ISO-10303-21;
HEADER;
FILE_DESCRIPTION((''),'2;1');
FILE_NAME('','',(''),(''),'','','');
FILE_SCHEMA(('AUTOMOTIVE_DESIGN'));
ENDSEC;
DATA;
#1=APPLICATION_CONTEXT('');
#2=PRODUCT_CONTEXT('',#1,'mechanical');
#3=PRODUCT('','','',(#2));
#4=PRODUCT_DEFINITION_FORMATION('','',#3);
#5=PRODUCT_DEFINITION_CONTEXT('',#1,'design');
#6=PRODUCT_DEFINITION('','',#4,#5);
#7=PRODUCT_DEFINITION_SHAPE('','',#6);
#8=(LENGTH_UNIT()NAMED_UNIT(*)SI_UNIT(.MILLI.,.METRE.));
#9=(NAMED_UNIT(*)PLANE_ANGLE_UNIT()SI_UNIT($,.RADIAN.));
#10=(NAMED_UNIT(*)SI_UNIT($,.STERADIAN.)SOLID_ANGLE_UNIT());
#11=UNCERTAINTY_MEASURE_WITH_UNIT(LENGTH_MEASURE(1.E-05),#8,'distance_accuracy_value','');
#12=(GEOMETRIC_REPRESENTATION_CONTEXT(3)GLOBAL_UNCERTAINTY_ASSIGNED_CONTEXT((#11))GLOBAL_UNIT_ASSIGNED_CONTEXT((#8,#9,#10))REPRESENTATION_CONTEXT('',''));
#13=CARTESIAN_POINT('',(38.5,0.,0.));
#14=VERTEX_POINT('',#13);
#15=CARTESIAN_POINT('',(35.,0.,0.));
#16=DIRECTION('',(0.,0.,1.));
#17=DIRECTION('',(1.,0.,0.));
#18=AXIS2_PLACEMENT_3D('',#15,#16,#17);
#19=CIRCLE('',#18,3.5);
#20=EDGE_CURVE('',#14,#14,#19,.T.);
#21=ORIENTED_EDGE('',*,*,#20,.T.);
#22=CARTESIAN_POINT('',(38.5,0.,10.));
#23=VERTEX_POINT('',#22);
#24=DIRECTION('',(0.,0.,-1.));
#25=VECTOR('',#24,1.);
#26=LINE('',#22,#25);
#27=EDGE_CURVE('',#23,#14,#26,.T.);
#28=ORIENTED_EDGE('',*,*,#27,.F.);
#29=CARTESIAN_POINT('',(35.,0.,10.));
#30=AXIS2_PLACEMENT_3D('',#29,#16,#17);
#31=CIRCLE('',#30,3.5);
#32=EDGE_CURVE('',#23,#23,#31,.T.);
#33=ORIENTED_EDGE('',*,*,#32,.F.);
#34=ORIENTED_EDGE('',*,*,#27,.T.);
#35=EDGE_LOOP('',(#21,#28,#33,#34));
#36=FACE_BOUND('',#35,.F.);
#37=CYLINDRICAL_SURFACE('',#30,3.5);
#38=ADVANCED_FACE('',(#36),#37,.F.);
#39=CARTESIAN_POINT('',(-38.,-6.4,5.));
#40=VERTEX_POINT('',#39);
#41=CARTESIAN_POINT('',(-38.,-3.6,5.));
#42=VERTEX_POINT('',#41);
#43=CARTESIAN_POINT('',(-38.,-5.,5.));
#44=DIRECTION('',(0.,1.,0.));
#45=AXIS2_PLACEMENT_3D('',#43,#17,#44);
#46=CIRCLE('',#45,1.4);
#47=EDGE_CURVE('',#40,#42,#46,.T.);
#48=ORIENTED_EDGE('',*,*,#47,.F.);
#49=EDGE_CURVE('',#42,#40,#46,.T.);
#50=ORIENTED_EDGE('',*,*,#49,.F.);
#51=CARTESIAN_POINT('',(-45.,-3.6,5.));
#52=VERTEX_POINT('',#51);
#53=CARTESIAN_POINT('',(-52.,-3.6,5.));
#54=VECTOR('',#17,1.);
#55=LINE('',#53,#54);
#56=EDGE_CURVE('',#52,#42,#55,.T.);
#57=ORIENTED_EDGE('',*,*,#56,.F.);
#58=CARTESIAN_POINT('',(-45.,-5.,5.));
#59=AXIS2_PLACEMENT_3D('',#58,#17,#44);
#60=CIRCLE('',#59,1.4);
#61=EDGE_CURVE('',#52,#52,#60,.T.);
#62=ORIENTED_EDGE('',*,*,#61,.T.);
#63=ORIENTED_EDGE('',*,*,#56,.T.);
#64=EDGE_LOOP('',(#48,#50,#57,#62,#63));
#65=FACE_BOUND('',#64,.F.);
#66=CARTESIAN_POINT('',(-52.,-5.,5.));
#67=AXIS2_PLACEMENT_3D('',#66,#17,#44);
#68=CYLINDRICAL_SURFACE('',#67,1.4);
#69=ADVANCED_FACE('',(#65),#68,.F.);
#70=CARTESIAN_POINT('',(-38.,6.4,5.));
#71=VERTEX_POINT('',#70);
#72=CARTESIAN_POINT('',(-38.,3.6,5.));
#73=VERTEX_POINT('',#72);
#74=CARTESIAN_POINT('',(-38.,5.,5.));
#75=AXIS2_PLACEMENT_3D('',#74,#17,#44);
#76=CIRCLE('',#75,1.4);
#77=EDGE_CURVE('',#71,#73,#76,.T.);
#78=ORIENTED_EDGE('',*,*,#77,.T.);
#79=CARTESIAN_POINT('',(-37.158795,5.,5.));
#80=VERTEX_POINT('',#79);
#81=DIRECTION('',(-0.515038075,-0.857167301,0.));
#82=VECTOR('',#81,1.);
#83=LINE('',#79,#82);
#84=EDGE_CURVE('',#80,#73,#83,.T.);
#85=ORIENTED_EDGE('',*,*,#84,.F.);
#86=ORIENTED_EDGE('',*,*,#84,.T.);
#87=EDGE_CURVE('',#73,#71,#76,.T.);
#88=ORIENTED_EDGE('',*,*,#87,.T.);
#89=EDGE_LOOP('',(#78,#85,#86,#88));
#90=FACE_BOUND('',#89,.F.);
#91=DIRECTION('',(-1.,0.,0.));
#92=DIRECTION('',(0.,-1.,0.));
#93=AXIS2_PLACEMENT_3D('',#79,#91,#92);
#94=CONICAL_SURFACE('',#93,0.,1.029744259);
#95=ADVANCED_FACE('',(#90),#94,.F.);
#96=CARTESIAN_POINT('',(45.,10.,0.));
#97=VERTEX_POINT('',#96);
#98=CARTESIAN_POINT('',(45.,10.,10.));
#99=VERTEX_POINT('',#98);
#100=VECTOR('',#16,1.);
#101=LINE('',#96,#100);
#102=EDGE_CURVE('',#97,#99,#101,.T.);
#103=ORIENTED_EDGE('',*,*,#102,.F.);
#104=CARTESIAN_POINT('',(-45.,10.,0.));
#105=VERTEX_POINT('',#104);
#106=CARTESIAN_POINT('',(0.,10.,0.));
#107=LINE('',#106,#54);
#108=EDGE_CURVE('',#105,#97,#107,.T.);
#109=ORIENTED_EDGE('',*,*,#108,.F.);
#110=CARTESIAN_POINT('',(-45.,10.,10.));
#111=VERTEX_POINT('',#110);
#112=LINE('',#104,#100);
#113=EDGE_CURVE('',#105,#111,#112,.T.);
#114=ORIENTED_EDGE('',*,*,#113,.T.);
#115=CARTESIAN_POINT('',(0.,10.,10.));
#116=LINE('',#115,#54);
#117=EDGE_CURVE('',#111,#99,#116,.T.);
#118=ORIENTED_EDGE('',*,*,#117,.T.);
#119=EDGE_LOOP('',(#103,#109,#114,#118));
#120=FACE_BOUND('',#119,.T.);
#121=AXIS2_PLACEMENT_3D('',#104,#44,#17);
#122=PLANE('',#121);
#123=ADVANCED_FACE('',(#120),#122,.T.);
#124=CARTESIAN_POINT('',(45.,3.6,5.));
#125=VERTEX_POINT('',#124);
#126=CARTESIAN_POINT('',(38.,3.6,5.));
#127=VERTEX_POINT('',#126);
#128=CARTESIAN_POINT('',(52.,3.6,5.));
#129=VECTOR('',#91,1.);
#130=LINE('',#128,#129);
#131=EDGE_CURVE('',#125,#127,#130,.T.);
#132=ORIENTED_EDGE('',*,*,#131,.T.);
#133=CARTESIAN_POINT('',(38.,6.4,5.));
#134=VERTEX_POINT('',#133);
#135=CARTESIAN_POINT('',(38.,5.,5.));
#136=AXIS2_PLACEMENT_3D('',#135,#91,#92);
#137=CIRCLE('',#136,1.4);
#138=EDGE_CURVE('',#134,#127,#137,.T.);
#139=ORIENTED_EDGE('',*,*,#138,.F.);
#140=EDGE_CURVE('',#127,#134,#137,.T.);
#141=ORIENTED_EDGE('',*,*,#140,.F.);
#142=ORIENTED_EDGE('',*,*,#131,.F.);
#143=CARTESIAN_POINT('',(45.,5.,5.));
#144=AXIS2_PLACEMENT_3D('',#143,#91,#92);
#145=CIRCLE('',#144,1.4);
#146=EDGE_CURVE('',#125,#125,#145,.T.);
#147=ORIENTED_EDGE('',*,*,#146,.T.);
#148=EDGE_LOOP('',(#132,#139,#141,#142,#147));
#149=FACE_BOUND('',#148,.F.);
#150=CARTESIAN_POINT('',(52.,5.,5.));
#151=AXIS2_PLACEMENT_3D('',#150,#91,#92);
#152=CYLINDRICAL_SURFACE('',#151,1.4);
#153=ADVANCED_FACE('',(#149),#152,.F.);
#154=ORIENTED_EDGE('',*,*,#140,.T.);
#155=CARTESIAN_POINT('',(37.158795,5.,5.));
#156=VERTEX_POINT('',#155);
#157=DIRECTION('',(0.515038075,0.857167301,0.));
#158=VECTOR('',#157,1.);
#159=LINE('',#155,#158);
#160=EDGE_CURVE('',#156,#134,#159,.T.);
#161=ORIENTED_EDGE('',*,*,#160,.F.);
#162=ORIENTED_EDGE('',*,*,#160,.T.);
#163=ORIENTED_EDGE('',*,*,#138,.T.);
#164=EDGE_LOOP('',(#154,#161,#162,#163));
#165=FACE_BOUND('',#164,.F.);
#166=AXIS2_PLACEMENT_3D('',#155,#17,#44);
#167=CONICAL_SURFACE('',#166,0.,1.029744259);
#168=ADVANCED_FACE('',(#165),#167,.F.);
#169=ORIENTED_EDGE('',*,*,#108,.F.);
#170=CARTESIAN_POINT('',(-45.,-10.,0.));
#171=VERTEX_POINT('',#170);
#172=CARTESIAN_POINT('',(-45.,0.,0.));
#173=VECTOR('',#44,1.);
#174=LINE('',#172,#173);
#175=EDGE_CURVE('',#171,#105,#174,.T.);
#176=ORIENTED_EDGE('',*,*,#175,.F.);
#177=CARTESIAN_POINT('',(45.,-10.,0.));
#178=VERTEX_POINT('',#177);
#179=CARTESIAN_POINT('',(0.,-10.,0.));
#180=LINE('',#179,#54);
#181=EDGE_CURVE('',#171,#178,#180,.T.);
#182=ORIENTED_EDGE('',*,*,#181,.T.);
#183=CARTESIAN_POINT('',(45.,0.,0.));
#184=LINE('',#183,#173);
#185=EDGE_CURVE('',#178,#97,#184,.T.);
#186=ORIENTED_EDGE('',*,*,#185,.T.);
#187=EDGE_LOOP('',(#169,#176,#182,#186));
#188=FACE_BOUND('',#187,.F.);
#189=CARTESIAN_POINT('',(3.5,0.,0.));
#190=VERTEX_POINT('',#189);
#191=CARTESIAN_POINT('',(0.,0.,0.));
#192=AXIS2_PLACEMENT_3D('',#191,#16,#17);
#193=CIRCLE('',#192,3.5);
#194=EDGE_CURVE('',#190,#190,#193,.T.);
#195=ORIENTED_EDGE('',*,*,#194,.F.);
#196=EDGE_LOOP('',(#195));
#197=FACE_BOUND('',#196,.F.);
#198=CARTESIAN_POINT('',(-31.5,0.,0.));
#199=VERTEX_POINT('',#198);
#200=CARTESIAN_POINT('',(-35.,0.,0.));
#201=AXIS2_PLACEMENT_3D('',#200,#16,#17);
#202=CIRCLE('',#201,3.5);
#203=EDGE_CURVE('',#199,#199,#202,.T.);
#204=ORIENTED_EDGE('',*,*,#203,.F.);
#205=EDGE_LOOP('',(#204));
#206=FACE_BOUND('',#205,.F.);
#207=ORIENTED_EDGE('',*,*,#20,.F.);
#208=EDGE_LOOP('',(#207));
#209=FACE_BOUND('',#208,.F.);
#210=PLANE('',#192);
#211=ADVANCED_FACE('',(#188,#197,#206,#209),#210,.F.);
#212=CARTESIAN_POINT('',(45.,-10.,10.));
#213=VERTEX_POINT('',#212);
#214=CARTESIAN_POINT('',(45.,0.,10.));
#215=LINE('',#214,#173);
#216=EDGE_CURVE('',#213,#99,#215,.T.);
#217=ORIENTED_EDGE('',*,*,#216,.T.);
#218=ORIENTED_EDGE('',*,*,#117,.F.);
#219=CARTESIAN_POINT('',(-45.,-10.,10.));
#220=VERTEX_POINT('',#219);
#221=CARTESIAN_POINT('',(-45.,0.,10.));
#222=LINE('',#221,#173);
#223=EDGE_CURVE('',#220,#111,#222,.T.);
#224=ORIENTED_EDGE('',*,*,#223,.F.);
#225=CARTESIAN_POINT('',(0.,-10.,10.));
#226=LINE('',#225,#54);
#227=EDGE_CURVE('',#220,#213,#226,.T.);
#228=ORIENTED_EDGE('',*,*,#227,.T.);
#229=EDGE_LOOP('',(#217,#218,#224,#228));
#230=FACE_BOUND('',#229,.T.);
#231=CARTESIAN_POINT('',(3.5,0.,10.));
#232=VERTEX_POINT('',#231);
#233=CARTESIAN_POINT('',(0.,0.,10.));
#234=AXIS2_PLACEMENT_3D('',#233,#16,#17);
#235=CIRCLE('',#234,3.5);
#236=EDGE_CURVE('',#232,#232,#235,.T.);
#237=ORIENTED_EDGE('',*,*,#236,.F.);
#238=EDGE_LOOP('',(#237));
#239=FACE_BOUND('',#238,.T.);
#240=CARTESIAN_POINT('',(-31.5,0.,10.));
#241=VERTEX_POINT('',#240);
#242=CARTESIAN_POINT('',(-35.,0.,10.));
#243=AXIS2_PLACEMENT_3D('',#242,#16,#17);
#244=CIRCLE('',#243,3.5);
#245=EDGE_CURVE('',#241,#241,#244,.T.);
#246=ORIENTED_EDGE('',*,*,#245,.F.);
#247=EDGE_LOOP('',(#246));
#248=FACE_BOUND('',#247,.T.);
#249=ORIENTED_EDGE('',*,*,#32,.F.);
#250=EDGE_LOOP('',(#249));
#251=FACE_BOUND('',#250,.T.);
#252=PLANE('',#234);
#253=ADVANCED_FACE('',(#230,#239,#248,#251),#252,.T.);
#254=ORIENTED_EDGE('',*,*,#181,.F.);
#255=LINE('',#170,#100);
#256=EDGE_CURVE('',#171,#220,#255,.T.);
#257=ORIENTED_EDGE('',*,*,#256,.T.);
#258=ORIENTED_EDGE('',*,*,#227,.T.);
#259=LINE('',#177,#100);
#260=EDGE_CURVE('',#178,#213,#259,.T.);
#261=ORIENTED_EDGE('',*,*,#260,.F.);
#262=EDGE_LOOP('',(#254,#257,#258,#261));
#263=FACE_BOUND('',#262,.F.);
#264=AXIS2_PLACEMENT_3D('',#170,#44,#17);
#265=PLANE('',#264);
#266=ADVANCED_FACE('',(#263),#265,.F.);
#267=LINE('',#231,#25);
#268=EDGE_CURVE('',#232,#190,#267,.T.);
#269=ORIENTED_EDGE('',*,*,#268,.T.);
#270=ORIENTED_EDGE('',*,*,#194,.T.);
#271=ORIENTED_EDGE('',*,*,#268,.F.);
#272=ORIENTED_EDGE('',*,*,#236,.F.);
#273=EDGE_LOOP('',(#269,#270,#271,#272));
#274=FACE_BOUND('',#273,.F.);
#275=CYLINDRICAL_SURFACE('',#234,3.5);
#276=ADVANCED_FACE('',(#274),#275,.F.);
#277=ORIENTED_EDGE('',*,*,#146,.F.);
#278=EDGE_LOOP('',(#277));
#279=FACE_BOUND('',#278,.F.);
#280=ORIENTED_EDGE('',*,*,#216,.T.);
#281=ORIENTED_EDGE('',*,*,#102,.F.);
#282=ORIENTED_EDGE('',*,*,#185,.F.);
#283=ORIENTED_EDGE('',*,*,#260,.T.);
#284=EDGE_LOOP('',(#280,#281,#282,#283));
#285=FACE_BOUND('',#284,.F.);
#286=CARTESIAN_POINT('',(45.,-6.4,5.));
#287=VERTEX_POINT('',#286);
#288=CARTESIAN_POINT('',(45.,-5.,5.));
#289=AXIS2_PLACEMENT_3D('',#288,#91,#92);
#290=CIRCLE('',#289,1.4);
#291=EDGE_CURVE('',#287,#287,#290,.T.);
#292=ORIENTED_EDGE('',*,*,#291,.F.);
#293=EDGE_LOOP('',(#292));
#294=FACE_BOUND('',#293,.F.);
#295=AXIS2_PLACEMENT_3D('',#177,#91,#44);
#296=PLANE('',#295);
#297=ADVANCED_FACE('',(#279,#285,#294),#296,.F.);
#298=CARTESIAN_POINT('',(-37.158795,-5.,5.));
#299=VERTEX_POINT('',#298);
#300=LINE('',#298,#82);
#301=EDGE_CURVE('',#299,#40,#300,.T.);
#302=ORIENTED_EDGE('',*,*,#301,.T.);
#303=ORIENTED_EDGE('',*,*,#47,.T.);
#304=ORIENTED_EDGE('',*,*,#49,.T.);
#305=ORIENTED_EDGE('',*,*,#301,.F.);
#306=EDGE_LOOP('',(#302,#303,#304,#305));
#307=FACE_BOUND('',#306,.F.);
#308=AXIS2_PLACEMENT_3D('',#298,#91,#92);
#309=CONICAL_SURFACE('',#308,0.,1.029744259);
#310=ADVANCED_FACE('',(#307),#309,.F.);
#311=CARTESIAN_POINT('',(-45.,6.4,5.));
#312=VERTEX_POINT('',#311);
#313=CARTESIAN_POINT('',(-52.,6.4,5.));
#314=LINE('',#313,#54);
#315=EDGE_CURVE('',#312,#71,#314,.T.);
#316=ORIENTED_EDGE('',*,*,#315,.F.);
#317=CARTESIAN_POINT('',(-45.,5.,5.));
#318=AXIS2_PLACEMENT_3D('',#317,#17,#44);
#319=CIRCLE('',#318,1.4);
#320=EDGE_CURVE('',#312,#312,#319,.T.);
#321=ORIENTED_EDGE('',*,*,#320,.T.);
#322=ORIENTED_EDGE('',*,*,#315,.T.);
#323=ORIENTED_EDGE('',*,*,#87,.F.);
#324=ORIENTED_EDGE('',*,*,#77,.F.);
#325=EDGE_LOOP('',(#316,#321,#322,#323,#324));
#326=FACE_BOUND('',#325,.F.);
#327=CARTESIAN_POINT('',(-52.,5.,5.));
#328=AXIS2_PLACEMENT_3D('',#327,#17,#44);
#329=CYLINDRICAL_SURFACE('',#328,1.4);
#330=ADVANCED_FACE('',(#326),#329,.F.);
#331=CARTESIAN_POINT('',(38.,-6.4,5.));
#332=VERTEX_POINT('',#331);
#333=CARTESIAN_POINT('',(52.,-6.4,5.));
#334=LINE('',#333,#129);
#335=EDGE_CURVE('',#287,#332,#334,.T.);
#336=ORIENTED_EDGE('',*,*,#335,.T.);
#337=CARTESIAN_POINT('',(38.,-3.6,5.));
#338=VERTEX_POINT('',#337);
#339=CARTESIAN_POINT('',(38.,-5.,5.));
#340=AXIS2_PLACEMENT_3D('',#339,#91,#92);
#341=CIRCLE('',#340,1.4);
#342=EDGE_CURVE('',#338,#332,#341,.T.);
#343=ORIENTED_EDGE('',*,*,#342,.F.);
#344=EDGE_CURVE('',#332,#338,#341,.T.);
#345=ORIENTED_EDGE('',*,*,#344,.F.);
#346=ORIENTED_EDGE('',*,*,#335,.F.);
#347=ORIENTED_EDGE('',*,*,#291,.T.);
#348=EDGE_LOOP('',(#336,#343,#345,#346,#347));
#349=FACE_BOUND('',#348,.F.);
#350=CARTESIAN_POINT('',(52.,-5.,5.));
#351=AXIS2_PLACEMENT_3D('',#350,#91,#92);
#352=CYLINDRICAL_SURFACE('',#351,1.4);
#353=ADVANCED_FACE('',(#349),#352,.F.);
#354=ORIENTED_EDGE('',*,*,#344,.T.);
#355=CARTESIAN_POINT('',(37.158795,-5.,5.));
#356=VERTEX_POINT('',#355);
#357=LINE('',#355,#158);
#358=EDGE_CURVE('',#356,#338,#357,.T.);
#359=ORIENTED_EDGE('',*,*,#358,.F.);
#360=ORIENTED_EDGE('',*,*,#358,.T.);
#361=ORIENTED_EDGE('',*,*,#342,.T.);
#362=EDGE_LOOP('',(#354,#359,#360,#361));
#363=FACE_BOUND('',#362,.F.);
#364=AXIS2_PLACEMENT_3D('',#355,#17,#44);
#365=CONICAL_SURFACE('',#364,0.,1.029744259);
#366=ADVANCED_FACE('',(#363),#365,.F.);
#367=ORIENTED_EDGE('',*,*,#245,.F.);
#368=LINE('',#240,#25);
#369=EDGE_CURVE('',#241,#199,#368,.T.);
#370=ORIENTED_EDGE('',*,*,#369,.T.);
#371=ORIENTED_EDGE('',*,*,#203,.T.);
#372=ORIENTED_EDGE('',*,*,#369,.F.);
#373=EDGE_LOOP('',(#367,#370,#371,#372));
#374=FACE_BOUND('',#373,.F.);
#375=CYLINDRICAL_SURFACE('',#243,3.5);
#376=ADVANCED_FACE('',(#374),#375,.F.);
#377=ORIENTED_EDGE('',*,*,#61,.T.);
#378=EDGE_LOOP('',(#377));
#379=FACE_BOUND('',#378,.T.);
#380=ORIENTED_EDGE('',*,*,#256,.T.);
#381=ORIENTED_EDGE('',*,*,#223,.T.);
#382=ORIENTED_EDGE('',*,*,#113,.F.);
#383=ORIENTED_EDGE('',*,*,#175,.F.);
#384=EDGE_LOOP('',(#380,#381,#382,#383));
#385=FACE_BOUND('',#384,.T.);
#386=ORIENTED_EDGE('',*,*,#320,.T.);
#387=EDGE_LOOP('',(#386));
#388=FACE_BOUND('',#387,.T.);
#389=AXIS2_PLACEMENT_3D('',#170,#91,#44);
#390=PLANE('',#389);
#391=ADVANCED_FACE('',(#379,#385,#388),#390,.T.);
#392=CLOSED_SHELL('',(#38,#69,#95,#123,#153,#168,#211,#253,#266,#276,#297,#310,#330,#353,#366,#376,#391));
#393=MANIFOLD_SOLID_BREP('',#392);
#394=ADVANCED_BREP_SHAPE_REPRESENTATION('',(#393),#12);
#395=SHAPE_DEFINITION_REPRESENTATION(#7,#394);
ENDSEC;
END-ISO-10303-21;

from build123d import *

# Parameters (mm, degrees)
F0_W     = 90
F0_H     = 20
F1_DEPTH = 10
F3_D     = 2.8
F3_DEPTH = 7
F3_TIP   = 0.8412048666
F5_D     = 2.8
F5_DEPTH = 7
F5_TIP   = 0.8412048666
F6_R     = 3.5
F7_DEPTH = 25


with BuildPart() as f1:
    # F0 (on Top) → F1 (new body)
    with BuildSketch(Plane.XY):
        Rectangle(F0_W, F0_H)
    extrude(amount=F1_DEPTH)

    # F3
    with Locations(Plane(origin=(-45, 0, 0), x_dir=(0, -1, 0), z_dir=(-1, 0, 0))):
        with Locations((-5, 5), (5, 5)):
            Hole(F3_D / 2, depth=F3_DEPTH)
            with Locations((0, 0, -(F3_DEPTH + F3_TIP / 2))):  # 118° drill point
                Cone(0, F3_D / 2, F3_TIP, mode=Mode.SUBTRACT)

    # F5
    with Locations(Plane.YZ.offset(45)):
        with Locations((-5, 5), (5, 5)):
            Hole(F5_D / 2, depth=F5_DEPTH)
            with Locations((0, 0, -(F5_DEPTH + F5_TIP / 2))):  # 118° drill point
                Cone(0, F5_D / 2, F5_TIP, mode=Mode.SUBTRACT)

    # F6 (on face) → F7 (cut)
    with BuildSketch(Plane.XY.offset(10)):
        with Locations((35, 0)):
            Circle(F6_R)
        Circle(F6_R)
        with Locations((-35, 0)):
            Circle(F6_R)
    extrude(amount=-F7_DEPTH, mode=Mode.SUBTRACT)


solid = f1.part
